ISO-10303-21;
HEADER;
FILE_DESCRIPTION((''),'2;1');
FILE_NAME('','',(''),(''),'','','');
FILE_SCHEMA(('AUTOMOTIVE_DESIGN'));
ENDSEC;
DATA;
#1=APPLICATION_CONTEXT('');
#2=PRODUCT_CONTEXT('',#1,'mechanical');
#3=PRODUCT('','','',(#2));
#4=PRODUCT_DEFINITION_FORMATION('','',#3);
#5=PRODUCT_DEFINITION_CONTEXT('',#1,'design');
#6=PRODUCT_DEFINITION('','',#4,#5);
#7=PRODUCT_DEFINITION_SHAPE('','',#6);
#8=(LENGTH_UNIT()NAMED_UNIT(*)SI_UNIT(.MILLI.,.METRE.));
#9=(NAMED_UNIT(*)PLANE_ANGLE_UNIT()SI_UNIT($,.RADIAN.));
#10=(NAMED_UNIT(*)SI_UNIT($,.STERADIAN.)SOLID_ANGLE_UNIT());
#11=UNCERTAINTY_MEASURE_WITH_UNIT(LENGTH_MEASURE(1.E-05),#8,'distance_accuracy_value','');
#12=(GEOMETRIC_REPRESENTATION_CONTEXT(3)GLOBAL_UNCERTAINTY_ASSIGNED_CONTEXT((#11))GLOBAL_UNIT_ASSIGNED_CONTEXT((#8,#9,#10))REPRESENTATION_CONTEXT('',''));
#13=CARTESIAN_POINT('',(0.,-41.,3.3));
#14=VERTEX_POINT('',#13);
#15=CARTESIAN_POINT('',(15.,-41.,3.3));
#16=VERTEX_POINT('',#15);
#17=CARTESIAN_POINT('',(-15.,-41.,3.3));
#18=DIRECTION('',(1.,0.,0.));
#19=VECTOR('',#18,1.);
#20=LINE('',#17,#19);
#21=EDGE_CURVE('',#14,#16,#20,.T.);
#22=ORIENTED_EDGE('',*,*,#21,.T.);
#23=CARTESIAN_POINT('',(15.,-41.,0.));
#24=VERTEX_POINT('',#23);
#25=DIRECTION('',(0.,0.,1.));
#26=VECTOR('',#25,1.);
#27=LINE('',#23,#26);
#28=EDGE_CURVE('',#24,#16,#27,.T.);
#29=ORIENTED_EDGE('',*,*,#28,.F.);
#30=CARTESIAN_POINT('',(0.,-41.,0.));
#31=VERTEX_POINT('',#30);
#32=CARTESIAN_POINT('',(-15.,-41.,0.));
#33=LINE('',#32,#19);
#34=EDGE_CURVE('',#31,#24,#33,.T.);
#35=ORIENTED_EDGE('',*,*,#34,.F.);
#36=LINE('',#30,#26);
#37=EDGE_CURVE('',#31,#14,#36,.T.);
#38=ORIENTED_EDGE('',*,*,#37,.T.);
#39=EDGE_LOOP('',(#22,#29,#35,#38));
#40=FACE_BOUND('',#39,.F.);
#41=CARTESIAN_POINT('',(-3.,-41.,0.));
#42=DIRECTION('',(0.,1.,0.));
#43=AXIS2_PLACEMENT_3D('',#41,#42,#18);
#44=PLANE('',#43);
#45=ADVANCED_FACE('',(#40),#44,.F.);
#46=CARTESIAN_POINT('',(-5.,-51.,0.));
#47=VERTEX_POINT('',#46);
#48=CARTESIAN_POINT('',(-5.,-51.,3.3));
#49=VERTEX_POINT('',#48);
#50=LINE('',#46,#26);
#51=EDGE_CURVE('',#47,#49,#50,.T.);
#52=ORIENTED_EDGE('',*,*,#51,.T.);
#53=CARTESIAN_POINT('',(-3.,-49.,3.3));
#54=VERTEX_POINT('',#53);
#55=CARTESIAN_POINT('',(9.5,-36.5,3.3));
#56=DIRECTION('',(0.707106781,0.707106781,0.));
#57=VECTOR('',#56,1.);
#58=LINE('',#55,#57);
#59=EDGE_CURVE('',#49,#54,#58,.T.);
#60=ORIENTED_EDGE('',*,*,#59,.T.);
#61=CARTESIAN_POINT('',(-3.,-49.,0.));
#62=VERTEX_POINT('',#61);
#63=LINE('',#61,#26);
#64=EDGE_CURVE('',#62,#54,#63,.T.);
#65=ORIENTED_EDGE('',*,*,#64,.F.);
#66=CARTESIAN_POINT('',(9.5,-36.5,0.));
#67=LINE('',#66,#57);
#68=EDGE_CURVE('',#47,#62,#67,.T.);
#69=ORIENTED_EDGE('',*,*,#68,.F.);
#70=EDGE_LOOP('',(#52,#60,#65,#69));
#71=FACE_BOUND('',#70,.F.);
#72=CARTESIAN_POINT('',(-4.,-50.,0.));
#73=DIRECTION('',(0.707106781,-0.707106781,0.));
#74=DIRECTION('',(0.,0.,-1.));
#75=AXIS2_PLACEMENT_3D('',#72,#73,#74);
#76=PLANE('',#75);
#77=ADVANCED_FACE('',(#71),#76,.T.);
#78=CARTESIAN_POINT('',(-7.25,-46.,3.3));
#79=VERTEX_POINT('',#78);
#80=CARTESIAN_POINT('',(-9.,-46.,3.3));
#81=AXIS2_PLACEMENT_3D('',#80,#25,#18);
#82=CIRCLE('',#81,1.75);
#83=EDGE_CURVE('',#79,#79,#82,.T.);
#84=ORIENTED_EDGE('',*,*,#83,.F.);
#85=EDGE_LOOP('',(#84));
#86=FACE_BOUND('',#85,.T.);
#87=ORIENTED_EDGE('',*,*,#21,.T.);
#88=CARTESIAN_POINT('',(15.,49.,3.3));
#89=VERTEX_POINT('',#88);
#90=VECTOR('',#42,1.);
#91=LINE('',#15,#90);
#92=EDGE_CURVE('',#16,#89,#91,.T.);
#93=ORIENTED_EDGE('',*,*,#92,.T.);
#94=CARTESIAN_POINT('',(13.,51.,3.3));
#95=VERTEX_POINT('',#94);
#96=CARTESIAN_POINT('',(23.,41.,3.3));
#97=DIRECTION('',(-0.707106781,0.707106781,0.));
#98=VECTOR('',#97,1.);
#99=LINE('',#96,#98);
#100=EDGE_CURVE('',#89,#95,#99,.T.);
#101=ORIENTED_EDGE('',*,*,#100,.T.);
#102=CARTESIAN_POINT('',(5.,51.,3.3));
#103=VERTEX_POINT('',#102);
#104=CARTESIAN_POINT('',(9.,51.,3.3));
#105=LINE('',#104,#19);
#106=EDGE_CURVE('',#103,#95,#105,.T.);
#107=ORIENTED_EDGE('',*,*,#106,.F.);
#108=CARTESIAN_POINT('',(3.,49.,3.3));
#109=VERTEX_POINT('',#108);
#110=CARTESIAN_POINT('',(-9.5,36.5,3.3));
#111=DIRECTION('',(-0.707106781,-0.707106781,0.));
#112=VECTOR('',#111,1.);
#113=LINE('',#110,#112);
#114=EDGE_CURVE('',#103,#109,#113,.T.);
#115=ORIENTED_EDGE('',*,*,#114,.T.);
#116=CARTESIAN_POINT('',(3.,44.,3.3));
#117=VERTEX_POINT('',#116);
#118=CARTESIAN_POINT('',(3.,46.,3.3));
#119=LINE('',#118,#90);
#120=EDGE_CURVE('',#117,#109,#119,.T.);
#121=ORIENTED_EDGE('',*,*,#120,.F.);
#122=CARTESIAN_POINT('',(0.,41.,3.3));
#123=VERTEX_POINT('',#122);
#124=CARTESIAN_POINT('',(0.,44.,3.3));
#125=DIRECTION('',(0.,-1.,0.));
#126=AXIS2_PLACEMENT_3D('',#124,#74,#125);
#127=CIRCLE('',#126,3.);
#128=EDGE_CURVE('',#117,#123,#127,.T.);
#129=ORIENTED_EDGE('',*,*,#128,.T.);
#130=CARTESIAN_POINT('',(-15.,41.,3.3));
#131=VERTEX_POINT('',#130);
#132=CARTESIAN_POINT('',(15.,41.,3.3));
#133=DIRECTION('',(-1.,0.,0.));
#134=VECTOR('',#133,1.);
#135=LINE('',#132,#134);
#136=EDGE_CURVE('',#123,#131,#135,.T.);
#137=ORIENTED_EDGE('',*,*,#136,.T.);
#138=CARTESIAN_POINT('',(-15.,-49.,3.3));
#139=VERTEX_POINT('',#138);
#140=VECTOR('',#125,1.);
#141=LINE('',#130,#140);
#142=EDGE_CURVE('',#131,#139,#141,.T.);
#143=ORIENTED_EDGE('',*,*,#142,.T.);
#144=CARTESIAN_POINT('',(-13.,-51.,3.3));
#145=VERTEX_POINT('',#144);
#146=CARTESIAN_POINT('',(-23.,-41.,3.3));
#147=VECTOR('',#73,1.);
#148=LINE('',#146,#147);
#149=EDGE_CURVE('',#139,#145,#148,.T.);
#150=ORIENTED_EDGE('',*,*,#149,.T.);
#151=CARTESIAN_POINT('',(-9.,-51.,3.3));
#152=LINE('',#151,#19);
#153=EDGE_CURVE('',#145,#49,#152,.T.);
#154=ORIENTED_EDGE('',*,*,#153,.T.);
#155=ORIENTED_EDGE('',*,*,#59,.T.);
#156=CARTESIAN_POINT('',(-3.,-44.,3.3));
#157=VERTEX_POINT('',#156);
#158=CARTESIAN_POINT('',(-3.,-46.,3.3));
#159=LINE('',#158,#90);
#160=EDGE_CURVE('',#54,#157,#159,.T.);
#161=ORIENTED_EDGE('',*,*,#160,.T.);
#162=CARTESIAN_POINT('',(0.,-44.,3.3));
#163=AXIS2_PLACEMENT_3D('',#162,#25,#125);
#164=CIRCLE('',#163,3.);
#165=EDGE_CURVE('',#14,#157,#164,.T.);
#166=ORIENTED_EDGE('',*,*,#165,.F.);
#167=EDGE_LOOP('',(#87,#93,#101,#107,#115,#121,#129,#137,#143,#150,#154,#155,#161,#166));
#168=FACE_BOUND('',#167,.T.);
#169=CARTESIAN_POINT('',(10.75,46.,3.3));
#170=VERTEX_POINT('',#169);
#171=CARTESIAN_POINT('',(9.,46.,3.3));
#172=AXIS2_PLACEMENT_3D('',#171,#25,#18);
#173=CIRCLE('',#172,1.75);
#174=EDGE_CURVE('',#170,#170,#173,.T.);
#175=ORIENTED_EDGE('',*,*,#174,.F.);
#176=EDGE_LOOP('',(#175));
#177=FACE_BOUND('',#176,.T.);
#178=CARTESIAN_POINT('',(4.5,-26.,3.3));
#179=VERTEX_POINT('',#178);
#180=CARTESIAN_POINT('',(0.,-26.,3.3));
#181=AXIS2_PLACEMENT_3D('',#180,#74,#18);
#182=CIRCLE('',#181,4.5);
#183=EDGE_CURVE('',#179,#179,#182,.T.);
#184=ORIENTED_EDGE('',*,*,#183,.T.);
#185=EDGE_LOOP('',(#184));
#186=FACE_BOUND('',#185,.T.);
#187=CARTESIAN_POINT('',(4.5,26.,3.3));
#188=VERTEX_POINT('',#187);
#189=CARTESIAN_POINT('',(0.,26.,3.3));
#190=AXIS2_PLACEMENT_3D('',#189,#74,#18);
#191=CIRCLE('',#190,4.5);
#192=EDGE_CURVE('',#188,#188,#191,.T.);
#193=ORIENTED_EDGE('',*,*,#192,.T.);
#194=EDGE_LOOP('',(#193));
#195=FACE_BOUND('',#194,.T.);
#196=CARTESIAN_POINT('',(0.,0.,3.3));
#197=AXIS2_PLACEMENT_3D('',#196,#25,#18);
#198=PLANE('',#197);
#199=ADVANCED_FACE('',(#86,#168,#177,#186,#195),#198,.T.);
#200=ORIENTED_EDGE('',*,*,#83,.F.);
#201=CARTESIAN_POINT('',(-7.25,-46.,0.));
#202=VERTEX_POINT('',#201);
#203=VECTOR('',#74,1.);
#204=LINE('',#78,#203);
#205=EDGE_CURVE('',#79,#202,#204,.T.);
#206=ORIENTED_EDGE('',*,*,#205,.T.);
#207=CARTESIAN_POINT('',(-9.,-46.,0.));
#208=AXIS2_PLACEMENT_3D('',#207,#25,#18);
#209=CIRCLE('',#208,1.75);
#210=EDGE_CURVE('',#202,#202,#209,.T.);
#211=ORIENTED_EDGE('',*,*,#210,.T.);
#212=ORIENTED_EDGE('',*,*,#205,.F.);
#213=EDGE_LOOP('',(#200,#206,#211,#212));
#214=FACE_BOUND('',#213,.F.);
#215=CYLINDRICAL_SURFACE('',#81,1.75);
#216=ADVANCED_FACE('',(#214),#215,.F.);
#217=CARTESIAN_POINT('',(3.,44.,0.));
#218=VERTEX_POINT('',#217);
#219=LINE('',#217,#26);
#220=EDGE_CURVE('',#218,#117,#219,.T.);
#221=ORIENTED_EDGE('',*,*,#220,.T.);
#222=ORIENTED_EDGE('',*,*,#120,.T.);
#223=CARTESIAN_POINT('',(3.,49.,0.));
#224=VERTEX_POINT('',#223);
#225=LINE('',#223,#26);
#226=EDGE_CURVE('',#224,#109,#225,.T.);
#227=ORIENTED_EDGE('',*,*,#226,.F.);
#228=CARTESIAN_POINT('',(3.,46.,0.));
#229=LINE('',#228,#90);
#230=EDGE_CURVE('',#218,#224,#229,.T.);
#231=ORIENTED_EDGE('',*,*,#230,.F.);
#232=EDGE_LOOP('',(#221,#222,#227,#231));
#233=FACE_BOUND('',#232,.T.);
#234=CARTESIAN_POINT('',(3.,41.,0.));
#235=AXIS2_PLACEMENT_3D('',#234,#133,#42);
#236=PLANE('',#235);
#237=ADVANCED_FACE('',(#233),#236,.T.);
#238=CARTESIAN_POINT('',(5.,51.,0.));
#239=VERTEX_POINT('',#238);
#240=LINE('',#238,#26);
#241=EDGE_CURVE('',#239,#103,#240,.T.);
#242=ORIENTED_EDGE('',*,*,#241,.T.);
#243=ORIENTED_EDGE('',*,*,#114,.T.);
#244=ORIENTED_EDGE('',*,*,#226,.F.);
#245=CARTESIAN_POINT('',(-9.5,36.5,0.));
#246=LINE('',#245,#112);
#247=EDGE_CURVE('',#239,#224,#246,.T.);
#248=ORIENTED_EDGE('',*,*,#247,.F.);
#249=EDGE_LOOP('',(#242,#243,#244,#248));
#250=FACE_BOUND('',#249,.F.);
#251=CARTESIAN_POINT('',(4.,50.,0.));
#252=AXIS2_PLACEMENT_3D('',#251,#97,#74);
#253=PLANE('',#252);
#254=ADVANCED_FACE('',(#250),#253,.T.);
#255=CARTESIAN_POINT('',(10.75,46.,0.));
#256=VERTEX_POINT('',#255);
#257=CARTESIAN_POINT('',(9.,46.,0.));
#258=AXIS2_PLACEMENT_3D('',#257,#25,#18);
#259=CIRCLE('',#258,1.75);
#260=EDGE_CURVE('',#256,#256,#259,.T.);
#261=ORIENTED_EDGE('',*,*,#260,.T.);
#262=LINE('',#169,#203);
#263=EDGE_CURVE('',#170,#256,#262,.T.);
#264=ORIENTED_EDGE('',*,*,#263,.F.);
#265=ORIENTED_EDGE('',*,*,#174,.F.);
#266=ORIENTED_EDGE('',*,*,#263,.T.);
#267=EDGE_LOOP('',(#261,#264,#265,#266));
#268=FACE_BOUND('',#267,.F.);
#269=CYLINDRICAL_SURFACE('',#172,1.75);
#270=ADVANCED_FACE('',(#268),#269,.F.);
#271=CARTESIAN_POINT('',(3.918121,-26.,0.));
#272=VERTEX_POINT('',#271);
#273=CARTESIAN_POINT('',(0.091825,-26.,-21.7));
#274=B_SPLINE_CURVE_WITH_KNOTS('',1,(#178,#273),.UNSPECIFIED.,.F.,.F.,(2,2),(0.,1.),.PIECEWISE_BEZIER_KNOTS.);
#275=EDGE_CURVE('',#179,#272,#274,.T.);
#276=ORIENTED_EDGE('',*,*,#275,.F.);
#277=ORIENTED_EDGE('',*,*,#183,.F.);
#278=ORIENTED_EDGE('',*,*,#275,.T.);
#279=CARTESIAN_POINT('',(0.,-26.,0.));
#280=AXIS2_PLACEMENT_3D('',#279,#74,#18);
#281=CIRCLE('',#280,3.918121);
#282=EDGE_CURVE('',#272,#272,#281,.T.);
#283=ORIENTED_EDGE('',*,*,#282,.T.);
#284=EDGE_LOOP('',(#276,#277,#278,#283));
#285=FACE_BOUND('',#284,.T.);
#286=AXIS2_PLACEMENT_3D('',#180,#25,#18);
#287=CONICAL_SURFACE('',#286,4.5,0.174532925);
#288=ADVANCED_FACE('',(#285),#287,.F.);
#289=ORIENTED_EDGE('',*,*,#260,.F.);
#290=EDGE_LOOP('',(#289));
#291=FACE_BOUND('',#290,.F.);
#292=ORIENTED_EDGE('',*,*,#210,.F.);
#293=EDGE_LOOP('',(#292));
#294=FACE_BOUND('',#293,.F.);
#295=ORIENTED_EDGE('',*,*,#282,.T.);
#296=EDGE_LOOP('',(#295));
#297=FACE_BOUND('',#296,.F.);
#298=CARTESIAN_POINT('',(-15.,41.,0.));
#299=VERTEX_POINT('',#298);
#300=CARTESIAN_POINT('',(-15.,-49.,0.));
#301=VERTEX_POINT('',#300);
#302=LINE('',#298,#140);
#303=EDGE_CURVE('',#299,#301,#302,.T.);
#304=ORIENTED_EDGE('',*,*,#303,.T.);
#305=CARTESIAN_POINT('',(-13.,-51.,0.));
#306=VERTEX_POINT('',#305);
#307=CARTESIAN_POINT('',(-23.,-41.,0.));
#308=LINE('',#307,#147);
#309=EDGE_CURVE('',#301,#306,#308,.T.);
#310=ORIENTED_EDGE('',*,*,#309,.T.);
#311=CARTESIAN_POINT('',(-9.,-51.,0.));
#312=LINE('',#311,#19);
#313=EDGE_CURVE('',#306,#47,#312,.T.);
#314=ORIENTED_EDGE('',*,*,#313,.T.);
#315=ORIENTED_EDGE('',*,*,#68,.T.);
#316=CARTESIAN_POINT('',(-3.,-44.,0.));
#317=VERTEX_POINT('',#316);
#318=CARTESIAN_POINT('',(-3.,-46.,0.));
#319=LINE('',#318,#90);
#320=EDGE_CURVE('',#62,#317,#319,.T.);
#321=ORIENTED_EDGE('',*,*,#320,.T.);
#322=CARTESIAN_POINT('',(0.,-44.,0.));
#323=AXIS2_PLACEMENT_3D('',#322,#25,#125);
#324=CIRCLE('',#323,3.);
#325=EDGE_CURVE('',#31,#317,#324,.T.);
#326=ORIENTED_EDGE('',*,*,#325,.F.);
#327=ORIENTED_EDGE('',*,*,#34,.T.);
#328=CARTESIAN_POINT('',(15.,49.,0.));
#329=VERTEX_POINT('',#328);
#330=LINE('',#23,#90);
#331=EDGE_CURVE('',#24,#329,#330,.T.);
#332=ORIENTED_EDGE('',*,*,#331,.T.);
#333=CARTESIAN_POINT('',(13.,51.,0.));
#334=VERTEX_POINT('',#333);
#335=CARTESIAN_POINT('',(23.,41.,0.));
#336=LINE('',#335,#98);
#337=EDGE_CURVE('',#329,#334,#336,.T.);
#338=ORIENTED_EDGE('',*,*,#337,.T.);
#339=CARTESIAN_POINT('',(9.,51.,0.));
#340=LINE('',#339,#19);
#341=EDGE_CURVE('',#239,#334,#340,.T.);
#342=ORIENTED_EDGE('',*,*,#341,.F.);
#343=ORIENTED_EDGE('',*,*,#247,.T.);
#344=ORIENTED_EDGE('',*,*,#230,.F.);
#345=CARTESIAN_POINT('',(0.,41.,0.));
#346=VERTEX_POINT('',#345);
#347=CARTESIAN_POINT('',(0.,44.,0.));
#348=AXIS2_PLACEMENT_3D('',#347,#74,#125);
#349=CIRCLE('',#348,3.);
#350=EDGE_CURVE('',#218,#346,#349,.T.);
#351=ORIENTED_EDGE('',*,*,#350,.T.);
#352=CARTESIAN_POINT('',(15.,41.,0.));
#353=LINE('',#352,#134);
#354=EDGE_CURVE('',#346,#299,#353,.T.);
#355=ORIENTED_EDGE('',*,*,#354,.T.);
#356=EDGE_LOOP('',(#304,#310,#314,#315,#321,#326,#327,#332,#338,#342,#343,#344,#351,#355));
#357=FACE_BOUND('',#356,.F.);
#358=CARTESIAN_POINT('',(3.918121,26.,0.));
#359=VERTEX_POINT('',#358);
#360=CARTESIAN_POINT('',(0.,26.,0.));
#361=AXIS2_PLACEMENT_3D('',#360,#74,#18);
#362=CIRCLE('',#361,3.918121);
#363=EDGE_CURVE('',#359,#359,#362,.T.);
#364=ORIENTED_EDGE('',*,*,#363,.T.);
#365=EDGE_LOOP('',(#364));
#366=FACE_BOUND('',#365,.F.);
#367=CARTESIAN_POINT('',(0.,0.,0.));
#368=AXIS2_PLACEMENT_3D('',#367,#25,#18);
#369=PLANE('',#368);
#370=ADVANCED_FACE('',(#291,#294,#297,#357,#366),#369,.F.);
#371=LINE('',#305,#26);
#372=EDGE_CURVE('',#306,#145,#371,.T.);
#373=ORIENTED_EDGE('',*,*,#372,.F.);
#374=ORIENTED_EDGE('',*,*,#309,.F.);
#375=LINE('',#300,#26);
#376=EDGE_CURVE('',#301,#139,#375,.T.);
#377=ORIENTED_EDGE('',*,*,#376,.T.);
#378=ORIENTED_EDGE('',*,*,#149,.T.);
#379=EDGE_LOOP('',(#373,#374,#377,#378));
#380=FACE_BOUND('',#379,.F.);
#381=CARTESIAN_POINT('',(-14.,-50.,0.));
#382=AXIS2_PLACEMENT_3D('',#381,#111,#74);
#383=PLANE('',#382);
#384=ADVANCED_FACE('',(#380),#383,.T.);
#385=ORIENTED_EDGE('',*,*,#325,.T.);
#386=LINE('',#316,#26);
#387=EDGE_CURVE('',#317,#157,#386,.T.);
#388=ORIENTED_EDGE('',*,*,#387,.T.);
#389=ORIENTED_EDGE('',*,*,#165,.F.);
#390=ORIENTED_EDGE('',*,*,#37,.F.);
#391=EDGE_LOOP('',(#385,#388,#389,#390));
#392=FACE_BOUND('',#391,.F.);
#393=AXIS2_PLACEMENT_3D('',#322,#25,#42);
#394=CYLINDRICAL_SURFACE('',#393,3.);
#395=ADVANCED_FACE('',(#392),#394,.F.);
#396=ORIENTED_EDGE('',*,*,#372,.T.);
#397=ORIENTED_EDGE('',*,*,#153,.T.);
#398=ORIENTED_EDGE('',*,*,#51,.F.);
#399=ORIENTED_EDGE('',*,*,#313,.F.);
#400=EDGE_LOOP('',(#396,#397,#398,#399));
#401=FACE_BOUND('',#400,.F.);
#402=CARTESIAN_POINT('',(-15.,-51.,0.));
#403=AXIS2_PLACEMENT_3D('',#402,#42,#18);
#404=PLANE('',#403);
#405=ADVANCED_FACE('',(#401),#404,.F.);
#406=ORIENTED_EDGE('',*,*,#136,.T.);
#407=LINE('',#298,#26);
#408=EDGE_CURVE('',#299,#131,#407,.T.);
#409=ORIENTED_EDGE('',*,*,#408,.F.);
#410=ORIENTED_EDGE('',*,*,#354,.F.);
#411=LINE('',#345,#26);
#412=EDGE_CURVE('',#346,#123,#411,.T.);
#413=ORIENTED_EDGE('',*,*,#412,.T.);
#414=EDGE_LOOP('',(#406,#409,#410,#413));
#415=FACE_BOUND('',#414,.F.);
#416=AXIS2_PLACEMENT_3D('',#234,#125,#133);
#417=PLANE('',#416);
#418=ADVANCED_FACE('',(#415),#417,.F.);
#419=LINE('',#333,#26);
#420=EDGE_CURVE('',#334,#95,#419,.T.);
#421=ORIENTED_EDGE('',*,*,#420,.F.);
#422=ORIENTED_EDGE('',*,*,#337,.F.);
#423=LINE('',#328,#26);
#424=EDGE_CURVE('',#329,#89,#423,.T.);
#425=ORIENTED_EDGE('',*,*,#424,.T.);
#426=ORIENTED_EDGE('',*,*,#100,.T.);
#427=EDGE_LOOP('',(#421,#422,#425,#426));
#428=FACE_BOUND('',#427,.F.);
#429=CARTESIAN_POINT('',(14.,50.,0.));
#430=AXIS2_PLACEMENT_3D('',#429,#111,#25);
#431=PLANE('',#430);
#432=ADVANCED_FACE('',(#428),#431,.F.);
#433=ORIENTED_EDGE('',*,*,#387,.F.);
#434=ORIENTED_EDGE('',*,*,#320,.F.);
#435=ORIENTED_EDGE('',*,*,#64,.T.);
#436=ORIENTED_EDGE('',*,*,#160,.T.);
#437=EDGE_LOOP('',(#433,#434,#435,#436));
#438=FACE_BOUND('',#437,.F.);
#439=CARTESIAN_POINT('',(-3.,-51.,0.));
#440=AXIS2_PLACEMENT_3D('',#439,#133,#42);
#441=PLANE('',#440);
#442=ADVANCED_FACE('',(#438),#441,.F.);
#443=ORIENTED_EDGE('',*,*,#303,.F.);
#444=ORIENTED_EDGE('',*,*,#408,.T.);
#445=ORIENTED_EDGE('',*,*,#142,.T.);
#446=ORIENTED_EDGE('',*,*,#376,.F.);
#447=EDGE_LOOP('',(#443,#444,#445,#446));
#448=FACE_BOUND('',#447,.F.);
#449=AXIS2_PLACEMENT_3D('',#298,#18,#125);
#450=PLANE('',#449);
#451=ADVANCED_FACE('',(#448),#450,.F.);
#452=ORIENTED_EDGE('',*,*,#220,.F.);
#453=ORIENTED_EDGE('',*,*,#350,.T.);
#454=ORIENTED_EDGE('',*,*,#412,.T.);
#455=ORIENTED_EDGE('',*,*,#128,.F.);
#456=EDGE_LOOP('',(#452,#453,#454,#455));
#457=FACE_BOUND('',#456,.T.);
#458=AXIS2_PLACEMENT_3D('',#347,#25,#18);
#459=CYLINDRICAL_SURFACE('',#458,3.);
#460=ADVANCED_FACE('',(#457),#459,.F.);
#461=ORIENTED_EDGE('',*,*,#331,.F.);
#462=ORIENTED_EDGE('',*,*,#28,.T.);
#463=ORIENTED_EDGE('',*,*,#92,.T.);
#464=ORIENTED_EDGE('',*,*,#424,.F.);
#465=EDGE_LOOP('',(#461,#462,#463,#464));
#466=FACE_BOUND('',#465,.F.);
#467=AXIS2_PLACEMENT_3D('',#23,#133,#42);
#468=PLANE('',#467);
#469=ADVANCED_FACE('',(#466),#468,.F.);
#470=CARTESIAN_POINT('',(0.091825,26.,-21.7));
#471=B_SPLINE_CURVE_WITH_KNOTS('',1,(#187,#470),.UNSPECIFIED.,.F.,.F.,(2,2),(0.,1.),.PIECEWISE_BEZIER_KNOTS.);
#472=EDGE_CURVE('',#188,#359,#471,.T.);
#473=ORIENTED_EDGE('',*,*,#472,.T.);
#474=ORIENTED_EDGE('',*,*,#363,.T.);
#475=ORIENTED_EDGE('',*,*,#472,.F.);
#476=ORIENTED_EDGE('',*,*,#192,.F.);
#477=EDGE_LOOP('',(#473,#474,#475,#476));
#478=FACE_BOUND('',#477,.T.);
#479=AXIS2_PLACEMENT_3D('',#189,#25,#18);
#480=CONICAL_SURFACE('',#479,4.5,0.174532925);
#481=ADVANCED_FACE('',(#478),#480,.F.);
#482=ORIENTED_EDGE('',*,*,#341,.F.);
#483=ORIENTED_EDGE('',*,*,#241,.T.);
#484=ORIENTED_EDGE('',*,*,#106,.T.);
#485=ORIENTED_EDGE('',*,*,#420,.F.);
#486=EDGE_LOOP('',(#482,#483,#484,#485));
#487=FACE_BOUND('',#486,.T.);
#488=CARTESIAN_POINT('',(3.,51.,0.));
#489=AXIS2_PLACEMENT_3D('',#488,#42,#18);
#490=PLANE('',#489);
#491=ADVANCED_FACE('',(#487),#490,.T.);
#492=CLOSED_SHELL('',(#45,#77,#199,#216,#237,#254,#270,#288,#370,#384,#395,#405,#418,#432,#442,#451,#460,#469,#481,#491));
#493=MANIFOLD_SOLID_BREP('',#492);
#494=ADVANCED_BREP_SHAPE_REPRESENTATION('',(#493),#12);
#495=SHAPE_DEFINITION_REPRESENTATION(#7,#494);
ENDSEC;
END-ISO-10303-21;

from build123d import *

# Parameters (mm, degrees)
F0_W      = 12
F0_H      = 10
F1_DEPTH  = 3.3
F2_SIZE   = 2
F3_R      = 3
F4_R      = 3
F5_R      = 1.75
F6_DEPTH  = 25
F7_R      = 2.5
F8_DEPTH  = 25
F9_R      = 4.5
F10_DEPTH = 25
F10_TAPER = 10


with BuildPart() as f1:
    # F0 (on Top) → F1 (new body)
    with BuildSketch(Plane.XY):
        Polygon((15, -41), (15, 41), (3, 41), (-15, 41), (-15, -41), (-3, -41), align=None)
        with Locations((9, 46)):
            Rectangle(F0_W, F0_H)
        with Locations((-9, -46)):
            Rectangle(F0_W, F0_H)
    extrude(amount=F1_DEPTH)

    # F2
    f2_edges = [f1.edges().sort_by_distance(p)[0] for p in [
        (15, 51, 1.65),
        (3, 51, 1.65),
        (-15, -51, 1.65),
        (-3, -51, 1.65),
    ]]
    chamfer(f2_edges, length=F2_SIZE)

    # F3
    f3_edges = [f1.edges().sort_by_distance(p)[0] for p in [
        (3, 41, 1.65),
    ]]
    fillet(f3_edges, radius=F3_R)

    # F4
    f4_edges = [f1.edges().sort_by_distance(p)[0] for p in [
        (-3, -41, 1.65),
    ]]
    fillet(f4_edges, radius=F4_R)

    # F5 (on face) → F6 (cut)
    with BuildSketch(Plane.XY.offset(3.3)):
        with Locations((9, 46)):
            Circle(F5_R)
        with Locations((-9, -46)):
            Circle(F5_R)
    extrude(amount=-F6_DEPTH, mode=Mode.SUBTRACT)

    # F7 (on face) → F8 (cut)
    with BuildSketch(Plane.XY.offset(3.3)):
        with Locations((0, 26)):
            Circle(F7_R)
        with Locations((0, -26)):
            Circle(F7_R)
    extrude(amount=-F8_DEPTH, mode=Mode.SUBTRACT)

    # F9 (on face) → F10 (cut)
    with BuildSketch(Plane.XY.offset(3.3)):
        with Locations((0, 26)):
            Circle(F9_R)
        with Locations((0, -26)):
            Circle(F9_R)
    extrude(amount=-F10_DEPTH, taper=F10_TAPER, mode=Mode.SUBTRACT)


solid = f1.part
